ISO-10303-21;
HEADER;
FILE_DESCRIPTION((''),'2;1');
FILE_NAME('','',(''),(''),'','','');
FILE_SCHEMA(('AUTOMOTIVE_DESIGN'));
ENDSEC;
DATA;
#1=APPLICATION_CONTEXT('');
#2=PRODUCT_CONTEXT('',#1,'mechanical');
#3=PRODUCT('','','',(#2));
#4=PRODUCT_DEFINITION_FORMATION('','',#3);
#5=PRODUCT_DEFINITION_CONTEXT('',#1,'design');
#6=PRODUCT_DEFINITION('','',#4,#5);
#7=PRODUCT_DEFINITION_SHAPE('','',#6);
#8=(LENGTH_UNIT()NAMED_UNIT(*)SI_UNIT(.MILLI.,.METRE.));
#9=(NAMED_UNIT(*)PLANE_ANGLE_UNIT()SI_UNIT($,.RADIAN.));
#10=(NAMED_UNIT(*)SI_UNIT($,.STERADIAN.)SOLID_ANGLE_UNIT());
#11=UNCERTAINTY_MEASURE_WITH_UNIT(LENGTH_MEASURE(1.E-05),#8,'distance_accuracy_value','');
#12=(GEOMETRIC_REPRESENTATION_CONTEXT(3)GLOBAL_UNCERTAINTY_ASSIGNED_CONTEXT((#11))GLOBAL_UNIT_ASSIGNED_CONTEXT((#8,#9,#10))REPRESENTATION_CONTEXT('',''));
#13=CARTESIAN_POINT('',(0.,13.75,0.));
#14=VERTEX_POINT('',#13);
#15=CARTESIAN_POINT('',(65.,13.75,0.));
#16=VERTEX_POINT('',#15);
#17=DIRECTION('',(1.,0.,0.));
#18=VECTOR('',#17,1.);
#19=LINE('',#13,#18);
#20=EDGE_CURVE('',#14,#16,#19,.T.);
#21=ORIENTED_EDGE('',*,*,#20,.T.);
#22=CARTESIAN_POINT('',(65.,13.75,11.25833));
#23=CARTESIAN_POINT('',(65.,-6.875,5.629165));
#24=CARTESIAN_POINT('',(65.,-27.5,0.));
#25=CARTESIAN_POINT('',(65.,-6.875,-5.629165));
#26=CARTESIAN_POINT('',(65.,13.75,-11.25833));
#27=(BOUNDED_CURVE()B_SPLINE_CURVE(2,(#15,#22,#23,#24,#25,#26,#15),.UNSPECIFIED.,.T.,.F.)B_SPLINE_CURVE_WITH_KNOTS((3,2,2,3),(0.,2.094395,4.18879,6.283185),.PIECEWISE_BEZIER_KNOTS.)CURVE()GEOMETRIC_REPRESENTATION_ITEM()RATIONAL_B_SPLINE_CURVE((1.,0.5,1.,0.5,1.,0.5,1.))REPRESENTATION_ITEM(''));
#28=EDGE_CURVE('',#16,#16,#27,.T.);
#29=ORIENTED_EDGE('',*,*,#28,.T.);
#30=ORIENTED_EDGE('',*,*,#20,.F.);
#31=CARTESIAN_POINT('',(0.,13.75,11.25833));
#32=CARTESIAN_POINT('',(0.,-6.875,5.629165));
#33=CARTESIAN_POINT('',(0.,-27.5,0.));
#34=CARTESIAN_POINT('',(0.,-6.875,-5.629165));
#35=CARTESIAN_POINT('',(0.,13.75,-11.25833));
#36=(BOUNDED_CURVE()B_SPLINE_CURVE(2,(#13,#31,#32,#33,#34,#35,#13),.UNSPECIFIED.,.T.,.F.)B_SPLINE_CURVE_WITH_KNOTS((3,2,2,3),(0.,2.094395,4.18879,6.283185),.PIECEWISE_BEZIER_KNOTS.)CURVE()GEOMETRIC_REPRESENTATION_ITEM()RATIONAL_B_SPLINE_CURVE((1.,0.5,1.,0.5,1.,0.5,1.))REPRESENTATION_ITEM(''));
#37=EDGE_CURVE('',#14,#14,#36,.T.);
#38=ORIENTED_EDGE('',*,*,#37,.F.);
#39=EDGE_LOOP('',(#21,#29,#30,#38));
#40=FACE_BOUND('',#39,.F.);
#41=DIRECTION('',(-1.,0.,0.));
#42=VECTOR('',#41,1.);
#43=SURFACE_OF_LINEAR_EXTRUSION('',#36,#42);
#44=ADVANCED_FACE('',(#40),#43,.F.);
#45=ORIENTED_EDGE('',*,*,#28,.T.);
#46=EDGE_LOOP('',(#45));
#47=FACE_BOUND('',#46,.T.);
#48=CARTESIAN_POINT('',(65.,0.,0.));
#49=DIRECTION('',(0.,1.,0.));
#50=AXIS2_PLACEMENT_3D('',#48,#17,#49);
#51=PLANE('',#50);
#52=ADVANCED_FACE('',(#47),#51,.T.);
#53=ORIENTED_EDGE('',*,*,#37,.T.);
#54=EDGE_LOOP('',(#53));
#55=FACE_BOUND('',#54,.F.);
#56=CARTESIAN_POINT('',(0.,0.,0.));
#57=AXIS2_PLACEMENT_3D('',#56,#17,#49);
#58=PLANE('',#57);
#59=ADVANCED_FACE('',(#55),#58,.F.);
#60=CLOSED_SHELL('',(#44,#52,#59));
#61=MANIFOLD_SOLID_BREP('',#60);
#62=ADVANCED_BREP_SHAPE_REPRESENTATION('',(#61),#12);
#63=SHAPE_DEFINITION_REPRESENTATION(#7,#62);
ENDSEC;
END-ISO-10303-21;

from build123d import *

# Parameters (mm, degrees)
F1_DEPTH = 65


with BuildPart() as f1:
    # F0 (on Right) → F1 (new body)
    with BuildSketch(Plane.YZ):
        with BuildLine():
            add(Edge.make_bspline(
                [(13.75, 0), (13.75, 11.25833), (-6.875, 5.629165), (-27.5, 0), (-6.875, -5.629165), (13.75, -11.25833), (13.75, 0)],
                knots=[0, 0, 0, 2.094395, 2.094395, 4.18879, 4.18879, 6.283185, 6.283185, 6.283185], degree=2, weights=[1, 0.5, 1, 0.5, 1, 0.5, 1]))
        make_face()
    extrude(amount=F1_DEPTH)


solid = f1.part
